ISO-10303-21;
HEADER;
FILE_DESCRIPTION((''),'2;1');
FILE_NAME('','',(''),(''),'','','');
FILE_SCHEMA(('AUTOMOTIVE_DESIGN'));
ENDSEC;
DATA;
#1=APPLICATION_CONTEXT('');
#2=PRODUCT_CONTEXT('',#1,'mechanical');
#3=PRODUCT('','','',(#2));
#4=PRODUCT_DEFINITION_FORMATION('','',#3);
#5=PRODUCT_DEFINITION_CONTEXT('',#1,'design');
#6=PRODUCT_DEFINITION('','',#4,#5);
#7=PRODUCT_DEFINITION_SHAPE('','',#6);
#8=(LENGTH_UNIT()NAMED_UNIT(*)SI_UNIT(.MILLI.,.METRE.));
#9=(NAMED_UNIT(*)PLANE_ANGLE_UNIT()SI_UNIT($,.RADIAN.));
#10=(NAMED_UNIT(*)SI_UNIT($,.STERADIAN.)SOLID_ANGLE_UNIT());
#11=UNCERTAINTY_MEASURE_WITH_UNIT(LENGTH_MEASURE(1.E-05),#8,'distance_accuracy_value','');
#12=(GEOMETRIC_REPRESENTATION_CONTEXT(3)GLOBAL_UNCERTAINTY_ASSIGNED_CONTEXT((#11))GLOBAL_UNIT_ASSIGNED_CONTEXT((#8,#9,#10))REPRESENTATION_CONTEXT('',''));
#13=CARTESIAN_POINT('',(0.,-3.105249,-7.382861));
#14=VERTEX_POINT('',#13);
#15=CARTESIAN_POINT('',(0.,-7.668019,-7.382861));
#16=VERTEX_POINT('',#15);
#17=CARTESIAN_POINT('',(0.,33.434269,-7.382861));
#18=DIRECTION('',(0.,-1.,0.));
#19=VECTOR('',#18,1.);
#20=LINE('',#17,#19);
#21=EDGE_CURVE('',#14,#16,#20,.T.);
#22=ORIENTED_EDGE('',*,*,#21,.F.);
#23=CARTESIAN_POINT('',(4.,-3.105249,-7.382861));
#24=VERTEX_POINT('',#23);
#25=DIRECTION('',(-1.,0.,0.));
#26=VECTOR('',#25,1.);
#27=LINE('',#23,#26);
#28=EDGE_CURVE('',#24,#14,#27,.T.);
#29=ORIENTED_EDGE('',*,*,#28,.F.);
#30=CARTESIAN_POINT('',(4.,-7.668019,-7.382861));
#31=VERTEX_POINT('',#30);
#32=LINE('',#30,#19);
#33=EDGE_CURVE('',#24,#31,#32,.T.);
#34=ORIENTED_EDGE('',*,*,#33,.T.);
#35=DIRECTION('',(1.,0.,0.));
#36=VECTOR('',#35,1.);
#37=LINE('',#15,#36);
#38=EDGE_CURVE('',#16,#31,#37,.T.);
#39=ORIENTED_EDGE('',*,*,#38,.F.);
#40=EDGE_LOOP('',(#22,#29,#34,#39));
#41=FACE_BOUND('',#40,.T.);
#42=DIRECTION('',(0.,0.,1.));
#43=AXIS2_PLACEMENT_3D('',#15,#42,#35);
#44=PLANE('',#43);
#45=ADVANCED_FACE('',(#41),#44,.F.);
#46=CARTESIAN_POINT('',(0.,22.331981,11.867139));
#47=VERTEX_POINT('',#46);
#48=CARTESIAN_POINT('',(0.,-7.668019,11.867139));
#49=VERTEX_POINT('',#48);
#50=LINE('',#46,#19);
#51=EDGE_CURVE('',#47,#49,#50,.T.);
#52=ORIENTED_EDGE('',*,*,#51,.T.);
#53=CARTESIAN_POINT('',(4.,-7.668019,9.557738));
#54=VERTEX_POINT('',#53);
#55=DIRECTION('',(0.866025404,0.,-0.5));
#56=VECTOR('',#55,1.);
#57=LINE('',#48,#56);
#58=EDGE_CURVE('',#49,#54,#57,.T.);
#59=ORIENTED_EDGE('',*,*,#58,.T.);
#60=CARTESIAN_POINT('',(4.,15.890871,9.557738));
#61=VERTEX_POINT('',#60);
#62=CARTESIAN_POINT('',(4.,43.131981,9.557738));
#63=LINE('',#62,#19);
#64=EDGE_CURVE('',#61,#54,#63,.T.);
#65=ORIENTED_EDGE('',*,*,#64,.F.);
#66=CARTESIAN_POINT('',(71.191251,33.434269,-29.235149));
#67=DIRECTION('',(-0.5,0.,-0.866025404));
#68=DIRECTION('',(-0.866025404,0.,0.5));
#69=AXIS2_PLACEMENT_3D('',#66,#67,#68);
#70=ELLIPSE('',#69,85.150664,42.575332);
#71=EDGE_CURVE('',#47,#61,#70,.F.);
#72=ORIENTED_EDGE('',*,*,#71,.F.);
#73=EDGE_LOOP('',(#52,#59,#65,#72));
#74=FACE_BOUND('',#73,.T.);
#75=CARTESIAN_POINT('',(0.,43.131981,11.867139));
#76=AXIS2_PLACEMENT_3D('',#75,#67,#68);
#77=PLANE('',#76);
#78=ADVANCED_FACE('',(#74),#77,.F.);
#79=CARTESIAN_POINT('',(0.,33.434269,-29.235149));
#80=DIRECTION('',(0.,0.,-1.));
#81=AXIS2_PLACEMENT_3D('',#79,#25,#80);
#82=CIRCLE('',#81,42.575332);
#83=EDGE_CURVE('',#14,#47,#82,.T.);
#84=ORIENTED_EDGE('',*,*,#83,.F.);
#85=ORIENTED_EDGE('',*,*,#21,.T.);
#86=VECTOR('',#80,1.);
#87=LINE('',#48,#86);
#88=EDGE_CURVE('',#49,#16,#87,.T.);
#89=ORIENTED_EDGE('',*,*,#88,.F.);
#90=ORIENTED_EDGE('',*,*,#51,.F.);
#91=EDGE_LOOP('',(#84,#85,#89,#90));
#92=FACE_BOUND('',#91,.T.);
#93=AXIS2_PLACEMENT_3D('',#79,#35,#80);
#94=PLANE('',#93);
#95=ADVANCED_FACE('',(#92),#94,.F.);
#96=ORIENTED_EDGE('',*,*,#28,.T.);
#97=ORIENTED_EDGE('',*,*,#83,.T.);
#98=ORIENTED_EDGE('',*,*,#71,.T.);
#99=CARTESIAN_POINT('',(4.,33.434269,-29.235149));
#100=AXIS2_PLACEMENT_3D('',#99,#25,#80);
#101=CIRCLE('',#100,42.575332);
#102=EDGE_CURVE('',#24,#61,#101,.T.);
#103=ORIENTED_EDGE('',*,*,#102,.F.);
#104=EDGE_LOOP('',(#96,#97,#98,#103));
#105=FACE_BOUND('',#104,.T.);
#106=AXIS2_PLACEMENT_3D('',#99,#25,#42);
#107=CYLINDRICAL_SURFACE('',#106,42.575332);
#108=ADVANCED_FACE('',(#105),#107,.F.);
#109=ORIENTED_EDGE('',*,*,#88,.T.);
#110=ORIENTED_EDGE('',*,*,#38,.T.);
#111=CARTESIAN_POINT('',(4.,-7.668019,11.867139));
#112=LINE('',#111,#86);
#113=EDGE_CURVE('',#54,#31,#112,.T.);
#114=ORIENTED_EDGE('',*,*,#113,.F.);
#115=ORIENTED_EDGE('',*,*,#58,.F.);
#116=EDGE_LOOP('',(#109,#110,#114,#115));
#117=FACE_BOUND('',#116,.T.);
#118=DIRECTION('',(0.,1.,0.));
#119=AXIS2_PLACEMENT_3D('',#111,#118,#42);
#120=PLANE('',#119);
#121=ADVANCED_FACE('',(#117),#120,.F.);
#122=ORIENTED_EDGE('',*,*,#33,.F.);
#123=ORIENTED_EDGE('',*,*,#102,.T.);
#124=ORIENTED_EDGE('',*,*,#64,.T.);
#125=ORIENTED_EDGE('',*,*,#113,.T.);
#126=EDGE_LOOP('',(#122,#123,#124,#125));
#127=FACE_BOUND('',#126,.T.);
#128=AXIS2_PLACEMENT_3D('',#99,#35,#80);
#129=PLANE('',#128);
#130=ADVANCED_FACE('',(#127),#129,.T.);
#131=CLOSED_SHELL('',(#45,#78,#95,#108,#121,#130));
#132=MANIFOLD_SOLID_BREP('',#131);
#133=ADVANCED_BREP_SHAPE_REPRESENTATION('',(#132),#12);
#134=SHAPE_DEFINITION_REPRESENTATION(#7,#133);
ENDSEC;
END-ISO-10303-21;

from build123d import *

# Parameters (mm, degrees)
BOSS_EXTRUDE1_DEPTH = 4
SKETCH2_W           = 10.75
SKETCH2_H           = 20.327264221
CUT_EXTRUDE1_DEPTH  = 4
CUT_EXTRUDE2_DEPTH  = 50.8


with BuildPart() as part:
    # Sketch1 → Boss-Extrude1 (new body)
    with BuildSketch(Plane(origin=(0, 0, 0), x_dir=(0, 0, -1), z_dir=(1, 0, 0))):
        with BuildLine():
            Line((-11.867139326, 22.331980986), (-11.867139326, -7.668019014))
            Line((-11.867139326, -7.668019014), (18.132860674, -7.668019014))
            ThreePointArc((18.132860674, -7.668019014), (-0.870157122, 3.328963189), (-11.867139326, 22.331980986))
        make_face()
    extrude(amount=BOSS_EXTRUDE1_DEPTH)

    # Sketch2 → Cut-Extrude1 (cut)
    with BuildSketch(Plane(origin=(4, 0, 0), x_dir=(0, 0, -1), z_dir=(1, 0, 0))):
        with Locations((12.757860674, 2.495613097)):
            Rectangle(SKETCH2_W, SKETCH2_H)
    extrude(amount=-CUT_EXTRUDE1_DEPTH, mode=Mode.SUBTRACT)

    # Sketch3 → Cut-Extrude2 (cut)
    with BuildSketch(Plane.XZ.offset(7.668019014)):
        Polygon((0, 11.867139326), (4, 9.557738249), (4, 11.867139326), align=None)
    extrude(amount=-CUT_EXTRUDE2_DEPTH, mode=Mode.SUBTRACT)


solid = part.part
